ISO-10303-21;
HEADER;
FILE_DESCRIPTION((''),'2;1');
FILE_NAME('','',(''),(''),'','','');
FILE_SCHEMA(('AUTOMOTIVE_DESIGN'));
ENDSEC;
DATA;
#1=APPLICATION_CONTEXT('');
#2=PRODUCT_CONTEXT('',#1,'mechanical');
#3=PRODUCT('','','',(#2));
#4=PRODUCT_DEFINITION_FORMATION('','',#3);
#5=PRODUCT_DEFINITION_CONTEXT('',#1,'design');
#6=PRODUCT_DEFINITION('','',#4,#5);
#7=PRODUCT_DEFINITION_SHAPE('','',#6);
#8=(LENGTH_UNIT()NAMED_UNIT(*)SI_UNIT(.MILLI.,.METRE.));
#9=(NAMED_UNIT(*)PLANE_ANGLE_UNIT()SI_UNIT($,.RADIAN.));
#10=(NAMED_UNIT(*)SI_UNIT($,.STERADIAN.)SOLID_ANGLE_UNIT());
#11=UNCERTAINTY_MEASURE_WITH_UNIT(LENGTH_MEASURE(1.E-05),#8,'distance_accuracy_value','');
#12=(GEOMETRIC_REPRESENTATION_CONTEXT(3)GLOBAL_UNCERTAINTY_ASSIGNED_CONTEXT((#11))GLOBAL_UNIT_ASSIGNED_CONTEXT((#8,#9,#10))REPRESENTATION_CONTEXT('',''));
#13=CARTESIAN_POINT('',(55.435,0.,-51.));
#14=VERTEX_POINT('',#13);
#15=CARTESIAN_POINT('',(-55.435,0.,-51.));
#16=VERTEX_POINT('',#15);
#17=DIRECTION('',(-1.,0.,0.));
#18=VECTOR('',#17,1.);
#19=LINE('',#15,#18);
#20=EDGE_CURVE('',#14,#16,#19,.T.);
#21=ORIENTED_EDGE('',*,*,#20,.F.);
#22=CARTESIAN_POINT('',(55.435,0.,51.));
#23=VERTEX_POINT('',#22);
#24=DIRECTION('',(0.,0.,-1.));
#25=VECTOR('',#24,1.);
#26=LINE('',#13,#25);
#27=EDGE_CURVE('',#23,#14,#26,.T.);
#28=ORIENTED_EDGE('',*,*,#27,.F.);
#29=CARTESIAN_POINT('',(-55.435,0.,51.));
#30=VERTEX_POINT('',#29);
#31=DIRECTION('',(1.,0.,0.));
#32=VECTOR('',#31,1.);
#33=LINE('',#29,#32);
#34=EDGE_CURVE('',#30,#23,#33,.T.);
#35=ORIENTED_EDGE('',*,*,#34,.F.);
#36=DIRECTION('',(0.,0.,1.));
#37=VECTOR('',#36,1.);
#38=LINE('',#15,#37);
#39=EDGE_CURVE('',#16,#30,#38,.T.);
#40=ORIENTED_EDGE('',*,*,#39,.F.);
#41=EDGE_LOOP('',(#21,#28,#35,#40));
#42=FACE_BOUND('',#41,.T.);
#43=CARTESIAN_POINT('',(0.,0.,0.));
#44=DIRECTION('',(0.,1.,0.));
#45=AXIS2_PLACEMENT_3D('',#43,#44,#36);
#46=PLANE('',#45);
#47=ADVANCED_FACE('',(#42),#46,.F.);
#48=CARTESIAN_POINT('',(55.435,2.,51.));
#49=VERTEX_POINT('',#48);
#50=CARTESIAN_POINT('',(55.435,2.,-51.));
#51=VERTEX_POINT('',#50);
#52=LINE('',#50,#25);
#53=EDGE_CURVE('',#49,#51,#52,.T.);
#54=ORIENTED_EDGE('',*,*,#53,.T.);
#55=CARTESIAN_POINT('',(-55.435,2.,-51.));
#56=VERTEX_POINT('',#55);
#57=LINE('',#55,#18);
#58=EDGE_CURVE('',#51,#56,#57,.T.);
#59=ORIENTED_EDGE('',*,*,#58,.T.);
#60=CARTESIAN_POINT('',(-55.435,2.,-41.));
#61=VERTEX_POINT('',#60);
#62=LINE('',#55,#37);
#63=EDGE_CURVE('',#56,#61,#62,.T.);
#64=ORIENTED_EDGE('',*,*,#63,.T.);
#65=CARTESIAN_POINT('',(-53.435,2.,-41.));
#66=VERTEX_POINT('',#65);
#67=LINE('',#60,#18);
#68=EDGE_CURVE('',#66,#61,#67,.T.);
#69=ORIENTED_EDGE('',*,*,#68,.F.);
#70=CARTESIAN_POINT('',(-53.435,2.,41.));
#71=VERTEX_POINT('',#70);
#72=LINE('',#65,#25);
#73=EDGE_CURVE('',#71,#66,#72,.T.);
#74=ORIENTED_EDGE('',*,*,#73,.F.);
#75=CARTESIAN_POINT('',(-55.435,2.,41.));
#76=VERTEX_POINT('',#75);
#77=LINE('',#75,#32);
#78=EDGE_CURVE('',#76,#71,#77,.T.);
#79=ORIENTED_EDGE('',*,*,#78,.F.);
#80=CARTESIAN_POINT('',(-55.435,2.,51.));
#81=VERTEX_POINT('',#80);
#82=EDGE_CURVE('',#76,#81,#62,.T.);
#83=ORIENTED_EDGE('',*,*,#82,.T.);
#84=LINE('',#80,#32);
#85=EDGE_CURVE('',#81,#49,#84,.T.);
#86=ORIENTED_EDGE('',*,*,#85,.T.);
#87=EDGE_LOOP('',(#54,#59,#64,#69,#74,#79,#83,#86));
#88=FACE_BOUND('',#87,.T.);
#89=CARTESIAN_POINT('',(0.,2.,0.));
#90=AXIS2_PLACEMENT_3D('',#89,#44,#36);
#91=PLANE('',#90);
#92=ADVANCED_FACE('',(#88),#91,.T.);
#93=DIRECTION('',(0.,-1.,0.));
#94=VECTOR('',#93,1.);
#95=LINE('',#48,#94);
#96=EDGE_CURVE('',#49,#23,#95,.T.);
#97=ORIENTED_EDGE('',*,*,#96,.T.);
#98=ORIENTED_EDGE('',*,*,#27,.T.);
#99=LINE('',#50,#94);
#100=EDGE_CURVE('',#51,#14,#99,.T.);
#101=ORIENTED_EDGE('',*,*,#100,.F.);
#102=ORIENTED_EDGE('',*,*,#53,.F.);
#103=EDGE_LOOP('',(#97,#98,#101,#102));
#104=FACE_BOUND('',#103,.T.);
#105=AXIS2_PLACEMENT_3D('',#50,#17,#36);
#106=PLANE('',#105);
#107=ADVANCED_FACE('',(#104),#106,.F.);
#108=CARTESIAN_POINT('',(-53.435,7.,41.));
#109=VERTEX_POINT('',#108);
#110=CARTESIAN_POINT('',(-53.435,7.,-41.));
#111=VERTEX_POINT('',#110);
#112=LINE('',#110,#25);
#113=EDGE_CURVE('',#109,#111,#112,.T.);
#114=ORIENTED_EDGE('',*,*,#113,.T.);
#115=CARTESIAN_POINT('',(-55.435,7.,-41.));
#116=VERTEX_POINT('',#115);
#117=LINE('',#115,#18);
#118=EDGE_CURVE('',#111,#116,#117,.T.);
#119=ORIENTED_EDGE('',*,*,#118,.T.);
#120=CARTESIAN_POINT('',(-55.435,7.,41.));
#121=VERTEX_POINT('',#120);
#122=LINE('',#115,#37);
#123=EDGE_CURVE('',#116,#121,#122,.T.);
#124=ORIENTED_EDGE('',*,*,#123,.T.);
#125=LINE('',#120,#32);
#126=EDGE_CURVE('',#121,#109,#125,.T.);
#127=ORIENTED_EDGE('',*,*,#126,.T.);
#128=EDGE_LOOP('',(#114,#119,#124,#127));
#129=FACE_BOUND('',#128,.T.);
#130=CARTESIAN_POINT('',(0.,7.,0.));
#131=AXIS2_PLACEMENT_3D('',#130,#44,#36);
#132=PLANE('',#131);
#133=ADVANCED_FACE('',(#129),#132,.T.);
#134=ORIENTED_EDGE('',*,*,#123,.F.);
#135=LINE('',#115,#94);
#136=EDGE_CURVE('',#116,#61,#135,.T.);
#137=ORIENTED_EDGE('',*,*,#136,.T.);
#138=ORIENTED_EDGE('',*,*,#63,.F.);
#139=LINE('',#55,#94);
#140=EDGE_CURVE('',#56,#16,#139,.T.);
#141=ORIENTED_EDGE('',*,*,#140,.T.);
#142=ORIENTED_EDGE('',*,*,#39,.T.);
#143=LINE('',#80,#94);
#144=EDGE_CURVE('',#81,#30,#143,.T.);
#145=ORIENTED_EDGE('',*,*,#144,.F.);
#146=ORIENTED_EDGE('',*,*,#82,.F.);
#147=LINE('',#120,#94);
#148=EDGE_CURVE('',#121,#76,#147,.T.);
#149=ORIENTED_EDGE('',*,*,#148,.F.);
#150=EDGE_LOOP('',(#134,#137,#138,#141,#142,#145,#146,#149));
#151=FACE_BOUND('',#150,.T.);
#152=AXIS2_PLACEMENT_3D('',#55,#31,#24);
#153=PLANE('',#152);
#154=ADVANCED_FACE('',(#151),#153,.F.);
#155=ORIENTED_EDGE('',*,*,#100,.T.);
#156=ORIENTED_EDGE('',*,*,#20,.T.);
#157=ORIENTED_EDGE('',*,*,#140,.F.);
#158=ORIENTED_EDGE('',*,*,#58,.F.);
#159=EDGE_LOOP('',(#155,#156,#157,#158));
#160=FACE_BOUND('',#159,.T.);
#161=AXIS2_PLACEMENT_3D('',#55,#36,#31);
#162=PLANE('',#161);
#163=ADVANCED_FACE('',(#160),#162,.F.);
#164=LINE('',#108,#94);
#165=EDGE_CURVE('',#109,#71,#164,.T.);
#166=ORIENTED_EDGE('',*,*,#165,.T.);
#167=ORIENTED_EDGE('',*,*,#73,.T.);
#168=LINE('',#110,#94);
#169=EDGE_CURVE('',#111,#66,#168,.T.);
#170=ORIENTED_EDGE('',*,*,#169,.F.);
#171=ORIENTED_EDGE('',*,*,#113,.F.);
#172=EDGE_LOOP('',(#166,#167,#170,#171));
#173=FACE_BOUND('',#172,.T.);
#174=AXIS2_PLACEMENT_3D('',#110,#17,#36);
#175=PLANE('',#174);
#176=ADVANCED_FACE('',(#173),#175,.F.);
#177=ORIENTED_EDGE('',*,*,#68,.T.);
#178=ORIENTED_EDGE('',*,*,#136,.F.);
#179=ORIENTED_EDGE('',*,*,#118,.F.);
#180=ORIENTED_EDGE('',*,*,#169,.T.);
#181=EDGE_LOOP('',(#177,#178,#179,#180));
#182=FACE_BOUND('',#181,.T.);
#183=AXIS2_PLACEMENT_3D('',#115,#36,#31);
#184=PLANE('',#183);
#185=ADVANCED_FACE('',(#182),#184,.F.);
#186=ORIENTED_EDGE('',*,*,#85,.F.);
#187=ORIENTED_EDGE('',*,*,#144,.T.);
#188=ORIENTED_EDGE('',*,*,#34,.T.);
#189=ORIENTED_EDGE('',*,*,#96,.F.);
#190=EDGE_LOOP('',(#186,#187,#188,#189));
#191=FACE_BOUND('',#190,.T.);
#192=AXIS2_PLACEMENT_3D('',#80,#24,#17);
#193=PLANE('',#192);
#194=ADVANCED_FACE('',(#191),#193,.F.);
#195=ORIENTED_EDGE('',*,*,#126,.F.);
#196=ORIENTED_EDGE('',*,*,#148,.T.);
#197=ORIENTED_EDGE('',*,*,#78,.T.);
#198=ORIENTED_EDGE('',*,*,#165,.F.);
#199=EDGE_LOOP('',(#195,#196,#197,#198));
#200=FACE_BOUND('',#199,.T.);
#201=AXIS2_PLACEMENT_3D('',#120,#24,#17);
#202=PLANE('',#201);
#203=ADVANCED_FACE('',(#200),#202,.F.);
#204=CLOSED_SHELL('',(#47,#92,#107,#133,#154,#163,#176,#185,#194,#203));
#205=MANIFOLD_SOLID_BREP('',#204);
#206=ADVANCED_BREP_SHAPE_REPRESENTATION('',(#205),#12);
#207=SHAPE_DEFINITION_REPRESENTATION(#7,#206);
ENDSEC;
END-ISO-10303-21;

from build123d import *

# Parameters (mm, degrees)
SKETCH_1_W      = 110.87
SKETCH_1_H      = 102
EXTRUDE_1_DEPTH = 2
SKETCH_2_W      = 2
SKETCH_2_H      = 82
EXTRUDE_2_DEPTH = 5


with BuildPart() as part:
    # 스케치1 → 보스-돌출1 (new body)
    with BuildSketch(Plane(origin=(0, 0, 0), x_dir=(1, 0, 0), z_dir=(0, 1, 0))):
        Rectangle(SKETCH_1_W, SKETCH_1_H)
    extrude(amount=EXTRUDE_1_DEPTH)

    # 스케치2 → 보스-돌출2 (add)
    with BuildSketch(Plane(origin=(0, 2, 0), x_dir=(1, 0, 0), z_dir=(0, 1, 0))):
        with Locations((-54.435, 0)):
            Rectangle(SKETCH_2_W, SKETCH_2_H)
    extrude(amount=EXTRUDE_2_DEPTH)


solid = part.part
